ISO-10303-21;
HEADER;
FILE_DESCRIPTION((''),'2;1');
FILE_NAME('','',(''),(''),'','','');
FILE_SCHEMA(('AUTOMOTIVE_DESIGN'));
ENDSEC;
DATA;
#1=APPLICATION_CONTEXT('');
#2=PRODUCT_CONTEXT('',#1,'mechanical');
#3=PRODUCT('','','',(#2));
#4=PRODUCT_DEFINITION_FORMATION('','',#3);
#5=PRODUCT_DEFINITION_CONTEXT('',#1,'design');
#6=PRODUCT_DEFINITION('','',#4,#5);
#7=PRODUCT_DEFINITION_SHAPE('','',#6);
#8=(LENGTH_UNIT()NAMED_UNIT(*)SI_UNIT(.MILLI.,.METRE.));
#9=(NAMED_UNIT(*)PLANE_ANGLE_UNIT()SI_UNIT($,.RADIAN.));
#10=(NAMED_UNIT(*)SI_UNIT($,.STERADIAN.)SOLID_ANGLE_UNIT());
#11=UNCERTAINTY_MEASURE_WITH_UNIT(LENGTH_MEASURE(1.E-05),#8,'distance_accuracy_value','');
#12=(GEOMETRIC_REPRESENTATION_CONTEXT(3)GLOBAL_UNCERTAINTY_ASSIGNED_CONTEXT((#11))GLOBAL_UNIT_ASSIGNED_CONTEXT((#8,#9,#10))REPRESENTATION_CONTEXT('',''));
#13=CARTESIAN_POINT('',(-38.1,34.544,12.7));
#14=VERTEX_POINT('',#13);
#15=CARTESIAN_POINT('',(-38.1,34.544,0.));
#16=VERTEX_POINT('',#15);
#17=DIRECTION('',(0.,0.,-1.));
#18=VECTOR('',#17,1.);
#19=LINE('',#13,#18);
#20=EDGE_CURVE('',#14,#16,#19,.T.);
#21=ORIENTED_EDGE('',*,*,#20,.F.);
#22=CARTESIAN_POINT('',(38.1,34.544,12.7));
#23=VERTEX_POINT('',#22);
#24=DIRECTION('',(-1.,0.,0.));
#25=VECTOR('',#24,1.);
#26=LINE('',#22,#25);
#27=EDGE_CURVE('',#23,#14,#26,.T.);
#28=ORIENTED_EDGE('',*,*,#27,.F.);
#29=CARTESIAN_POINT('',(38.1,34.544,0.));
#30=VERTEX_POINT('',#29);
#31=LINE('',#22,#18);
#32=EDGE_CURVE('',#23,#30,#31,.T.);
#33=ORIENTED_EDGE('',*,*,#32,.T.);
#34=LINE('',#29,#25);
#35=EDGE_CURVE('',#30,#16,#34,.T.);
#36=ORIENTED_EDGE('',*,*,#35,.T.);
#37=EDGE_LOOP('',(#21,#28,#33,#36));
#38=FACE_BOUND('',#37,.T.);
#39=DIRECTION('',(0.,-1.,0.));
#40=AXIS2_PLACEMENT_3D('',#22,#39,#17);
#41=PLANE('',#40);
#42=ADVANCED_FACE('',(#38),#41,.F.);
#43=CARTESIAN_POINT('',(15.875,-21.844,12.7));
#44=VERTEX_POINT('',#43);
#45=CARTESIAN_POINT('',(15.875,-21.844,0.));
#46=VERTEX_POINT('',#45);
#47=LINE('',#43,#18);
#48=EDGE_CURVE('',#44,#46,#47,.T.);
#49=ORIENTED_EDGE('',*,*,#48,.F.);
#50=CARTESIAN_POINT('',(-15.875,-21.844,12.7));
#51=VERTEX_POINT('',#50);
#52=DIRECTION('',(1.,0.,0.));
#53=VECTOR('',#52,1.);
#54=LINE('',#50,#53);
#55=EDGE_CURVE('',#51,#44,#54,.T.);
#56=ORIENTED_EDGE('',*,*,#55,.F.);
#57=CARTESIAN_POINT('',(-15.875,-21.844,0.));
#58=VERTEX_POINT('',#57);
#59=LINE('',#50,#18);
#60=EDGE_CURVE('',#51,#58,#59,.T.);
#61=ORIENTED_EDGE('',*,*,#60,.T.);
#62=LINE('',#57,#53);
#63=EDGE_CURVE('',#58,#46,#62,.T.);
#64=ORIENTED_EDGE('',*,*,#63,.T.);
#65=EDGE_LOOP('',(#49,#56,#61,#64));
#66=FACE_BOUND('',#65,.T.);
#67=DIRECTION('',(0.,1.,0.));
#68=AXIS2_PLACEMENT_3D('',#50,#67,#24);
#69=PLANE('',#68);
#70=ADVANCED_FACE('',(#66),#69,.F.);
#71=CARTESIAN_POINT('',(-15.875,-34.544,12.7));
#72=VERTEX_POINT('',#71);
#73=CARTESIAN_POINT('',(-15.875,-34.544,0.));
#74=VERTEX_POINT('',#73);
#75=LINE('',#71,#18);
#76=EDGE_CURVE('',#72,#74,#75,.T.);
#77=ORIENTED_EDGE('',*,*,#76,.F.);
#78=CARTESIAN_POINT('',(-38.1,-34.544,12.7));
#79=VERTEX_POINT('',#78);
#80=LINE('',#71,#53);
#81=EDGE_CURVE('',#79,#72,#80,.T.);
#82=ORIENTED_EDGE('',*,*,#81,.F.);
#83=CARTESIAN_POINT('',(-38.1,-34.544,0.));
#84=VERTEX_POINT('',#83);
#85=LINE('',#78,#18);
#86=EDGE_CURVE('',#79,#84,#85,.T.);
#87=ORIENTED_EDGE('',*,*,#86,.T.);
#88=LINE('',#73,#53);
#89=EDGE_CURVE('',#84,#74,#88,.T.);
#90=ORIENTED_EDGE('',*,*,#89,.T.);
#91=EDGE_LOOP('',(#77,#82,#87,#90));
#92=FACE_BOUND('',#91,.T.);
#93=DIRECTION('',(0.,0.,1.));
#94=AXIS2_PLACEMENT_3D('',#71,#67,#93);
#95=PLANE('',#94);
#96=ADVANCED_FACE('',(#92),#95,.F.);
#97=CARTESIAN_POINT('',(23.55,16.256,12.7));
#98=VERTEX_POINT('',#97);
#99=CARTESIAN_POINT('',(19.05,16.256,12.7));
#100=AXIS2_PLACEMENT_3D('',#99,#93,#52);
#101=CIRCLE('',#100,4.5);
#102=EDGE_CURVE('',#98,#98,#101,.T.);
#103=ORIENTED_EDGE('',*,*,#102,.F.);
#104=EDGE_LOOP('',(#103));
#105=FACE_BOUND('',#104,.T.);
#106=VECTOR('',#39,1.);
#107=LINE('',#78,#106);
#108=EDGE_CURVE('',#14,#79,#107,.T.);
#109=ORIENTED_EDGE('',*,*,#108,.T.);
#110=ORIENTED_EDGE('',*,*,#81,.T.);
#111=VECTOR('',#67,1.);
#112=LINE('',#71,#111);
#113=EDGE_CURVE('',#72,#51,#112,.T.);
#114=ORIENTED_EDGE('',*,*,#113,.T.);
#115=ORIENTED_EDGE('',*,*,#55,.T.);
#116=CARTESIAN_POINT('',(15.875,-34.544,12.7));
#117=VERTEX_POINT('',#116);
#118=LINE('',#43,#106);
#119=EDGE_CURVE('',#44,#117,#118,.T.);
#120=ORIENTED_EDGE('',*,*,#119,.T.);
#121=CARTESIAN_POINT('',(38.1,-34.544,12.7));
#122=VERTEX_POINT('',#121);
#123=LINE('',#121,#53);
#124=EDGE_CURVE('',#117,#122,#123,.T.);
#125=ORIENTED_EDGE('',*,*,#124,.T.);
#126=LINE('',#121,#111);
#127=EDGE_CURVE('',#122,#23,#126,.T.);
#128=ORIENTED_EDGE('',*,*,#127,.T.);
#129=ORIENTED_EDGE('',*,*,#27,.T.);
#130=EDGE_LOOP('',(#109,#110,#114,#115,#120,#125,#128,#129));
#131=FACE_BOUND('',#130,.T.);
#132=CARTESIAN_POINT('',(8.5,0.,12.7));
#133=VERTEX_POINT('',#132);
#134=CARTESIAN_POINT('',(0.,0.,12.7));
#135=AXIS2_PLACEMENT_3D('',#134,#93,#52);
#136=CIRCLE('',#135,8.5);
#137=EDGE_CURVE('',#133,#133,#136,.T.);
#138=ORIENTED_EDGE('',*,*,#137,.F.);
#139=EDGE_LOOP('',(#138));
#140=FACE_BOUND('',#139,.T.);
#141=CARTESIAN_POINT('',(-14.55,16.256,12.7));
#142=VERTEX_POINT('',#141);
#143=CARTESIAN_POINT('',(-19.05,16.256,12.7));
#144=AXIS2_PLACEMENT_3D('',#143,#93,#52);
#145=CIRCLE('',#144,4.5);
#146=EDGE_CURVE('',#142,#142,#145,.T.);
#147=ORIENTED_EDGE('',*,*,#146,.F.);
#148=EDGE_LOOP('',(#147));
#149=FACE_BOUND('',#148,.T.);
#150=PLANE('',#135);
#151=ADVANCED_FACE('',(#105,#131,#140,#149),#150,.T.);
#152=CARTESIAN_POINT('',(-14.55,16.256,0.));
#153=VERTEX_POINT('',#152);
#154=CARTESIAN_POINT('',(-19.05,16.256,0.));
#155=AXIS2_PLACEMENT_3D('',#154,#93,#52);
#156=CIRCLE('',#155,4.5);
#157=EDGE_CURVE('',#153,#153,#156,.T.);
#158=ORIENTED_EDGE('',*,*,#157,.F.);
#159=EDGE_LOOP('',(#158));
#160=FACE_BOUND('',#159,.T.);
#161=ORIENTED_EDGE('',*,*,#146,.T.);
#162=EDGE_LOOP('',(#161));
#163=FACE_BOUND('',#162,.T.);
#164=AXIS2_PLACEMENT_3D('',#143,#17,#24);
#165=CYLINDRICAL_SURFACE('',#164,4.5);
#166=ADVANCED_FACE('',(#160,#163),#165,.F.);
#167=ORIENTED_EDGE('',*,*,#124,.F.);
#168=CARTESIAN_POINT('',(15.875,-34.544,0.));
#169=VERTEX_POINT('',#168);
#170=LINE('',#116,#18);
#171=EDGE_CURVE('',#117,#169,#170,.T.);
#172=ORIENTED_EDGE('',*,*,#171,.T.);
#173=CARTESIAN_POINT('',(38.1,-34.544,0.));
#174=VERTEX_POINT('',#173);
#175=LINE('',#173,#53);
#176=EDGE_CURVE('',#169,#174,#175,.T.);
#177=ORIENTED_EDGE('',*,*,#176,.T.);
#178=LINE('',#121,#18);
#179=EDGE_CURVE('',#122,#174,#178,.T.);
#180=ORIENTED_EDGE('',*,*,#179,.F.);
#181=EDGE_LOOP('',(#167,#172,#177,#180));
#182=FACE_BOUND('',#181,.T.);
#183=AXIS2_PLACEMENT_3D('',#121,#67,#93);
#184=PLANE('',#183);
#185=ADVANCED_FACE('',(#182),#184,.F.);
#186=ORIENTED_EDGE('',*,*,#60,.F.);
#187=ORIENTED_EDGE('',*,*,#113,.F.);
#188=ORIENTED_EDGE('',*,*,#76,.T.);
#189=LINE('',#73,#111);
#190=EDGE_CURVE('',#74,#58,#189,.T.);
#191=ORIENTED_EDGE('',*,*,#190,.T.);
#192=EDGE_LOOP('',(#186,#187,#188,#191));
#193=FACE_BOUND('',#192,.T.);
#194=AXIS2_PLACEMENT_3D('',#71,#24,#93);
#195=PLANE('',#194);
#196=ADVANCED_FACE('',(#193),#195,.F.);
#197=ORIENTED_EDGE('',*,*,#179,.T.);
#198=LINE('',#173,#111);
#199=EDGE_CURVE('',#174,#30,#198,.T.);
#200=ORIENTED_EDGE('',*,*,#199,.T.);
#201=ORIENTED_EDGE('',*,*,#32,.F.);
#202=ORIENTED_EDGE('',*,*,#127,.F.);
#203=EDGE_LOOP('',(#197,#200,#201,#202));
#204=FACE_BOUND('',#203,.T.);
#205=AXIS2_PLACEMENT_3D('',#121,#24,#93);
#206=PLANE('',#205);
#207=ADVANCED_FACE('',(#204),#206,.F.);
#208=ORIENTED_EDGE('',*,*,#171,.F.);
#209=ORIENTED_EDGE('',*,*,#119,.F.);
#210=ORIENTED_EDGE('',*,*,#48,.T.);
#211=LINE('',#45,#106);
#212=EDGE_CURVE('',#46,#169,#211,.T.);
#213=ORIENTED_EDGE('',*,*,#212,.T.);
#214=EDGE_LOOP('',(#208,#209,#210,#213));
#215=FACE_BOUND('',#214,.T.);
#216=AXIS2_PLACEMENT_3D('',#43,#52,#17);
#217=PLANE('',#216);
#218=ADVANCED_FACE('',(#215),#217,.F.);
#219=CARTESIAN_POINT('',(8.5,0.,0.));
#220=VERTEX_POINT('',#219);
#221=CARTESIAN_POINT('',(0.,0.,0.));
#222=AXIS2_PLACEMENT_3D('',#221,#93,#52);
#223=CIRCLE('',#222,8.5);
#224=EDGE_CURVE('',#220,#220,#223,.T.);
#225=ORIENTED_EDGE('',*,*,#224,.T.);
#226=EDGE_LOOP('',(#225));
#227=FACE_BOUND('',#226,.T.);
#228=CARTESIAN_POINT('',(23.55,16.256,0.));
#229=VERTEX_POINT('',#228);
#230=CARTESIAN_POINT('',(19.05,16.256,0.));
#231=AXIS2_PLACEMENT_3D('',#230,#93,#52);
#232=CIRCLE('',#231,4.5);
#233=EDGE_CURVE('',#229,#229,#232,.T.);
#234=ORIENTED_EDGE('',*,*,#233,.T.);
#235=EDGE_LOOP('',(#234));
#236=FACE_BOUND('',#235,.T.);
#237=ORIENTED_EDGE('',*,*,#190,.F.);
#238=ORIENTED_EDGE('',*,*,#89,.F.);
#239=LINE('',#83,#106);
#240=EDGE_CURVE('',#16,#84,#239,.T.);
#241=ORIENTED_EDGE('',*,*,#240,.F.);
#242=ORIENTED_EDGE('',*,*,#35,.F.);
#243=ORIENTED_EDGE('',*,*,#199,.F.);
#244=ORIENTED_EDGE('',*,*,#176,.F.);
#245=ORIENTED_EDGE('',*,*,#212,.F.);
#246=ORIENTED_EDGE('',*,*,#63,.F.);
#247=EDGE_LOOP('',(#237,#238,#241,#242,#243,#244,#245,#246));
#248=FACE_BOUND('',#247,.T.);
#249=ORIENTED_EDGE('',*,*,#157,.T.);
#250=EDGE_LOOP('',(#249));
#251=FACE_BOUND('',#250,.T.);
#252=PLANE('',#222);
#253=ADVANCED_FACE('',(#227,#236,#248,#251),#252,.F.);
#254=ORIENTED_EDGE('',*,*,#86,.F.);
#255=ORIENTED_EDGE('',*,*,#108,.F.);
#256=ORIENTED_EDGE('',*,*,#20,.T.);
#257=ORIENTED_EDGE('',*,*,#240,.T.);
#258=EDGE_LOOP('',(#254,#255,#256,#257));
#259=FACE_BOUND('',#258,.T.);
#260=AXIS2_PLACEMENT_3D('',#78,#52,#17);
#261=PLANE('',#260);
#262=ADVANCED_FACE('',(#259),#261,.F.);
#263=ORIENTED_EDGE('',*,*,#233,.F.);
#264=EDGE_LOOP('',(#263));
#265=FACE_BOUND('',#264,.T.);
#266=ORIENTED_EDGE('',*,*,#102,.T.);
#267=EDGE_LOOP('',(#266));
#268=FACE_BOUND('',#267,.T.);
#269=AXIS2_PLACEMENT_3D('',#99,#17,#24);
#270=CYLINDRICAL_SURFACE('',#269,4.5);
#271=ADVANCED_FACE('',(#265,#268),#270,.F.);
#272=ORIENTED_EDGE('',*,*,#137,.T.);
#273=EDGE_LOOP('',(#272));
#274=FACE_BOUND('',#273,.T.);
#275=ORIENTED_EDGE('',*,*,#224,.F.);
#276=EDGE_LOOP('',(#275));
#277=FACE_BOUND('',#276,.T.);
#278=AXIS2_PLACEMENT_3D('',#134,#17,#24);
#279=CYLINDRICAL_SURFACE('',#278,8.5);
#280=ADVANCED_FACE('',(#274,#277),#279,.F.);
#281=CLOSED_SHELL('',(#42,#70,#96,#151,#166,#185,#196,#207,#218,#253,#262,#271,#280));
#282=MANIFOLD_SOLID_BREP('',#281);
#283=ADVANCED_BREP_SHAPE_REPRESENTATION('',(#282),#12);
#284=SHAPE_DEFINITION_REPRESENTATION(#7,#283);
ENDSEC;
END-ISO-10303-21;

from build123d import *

# Parameters (mm, degrees)
SKETCH1_R           = 8.5
SKETCH1_R_2         = 4.5
BOSS_EXTRUDE1_DEPTH = 12.7


with BuildPart() as part:
    # Sketch1 → Boss-Extrude1 (new body)
    with BuildSketch(Plane.XY):
        Polygon((-15.875, -34.544), (-15.875, -21.844), (15.875, -21.844), (15.875, -34.544), (38.1, -34.544), (38.1, 34.544), (-38.1, 34.544), (-38.1, -34.544), align=None)
        Circle(SKETCH1_R, mode=Mode.SUBTRACT)
        with Locations((19.05, 16.256)):
            Circle(SKETCH1_R_2, mode=Mode.SUBTRACT)
        with Locations((-19.05, 16.256)):
            Circle(SKETCH1_R_2, mode=Mode.SUBTRACT)
    extrude(amount=BOSS_EXTRUDE1_DEPTH)


solid = part.part
